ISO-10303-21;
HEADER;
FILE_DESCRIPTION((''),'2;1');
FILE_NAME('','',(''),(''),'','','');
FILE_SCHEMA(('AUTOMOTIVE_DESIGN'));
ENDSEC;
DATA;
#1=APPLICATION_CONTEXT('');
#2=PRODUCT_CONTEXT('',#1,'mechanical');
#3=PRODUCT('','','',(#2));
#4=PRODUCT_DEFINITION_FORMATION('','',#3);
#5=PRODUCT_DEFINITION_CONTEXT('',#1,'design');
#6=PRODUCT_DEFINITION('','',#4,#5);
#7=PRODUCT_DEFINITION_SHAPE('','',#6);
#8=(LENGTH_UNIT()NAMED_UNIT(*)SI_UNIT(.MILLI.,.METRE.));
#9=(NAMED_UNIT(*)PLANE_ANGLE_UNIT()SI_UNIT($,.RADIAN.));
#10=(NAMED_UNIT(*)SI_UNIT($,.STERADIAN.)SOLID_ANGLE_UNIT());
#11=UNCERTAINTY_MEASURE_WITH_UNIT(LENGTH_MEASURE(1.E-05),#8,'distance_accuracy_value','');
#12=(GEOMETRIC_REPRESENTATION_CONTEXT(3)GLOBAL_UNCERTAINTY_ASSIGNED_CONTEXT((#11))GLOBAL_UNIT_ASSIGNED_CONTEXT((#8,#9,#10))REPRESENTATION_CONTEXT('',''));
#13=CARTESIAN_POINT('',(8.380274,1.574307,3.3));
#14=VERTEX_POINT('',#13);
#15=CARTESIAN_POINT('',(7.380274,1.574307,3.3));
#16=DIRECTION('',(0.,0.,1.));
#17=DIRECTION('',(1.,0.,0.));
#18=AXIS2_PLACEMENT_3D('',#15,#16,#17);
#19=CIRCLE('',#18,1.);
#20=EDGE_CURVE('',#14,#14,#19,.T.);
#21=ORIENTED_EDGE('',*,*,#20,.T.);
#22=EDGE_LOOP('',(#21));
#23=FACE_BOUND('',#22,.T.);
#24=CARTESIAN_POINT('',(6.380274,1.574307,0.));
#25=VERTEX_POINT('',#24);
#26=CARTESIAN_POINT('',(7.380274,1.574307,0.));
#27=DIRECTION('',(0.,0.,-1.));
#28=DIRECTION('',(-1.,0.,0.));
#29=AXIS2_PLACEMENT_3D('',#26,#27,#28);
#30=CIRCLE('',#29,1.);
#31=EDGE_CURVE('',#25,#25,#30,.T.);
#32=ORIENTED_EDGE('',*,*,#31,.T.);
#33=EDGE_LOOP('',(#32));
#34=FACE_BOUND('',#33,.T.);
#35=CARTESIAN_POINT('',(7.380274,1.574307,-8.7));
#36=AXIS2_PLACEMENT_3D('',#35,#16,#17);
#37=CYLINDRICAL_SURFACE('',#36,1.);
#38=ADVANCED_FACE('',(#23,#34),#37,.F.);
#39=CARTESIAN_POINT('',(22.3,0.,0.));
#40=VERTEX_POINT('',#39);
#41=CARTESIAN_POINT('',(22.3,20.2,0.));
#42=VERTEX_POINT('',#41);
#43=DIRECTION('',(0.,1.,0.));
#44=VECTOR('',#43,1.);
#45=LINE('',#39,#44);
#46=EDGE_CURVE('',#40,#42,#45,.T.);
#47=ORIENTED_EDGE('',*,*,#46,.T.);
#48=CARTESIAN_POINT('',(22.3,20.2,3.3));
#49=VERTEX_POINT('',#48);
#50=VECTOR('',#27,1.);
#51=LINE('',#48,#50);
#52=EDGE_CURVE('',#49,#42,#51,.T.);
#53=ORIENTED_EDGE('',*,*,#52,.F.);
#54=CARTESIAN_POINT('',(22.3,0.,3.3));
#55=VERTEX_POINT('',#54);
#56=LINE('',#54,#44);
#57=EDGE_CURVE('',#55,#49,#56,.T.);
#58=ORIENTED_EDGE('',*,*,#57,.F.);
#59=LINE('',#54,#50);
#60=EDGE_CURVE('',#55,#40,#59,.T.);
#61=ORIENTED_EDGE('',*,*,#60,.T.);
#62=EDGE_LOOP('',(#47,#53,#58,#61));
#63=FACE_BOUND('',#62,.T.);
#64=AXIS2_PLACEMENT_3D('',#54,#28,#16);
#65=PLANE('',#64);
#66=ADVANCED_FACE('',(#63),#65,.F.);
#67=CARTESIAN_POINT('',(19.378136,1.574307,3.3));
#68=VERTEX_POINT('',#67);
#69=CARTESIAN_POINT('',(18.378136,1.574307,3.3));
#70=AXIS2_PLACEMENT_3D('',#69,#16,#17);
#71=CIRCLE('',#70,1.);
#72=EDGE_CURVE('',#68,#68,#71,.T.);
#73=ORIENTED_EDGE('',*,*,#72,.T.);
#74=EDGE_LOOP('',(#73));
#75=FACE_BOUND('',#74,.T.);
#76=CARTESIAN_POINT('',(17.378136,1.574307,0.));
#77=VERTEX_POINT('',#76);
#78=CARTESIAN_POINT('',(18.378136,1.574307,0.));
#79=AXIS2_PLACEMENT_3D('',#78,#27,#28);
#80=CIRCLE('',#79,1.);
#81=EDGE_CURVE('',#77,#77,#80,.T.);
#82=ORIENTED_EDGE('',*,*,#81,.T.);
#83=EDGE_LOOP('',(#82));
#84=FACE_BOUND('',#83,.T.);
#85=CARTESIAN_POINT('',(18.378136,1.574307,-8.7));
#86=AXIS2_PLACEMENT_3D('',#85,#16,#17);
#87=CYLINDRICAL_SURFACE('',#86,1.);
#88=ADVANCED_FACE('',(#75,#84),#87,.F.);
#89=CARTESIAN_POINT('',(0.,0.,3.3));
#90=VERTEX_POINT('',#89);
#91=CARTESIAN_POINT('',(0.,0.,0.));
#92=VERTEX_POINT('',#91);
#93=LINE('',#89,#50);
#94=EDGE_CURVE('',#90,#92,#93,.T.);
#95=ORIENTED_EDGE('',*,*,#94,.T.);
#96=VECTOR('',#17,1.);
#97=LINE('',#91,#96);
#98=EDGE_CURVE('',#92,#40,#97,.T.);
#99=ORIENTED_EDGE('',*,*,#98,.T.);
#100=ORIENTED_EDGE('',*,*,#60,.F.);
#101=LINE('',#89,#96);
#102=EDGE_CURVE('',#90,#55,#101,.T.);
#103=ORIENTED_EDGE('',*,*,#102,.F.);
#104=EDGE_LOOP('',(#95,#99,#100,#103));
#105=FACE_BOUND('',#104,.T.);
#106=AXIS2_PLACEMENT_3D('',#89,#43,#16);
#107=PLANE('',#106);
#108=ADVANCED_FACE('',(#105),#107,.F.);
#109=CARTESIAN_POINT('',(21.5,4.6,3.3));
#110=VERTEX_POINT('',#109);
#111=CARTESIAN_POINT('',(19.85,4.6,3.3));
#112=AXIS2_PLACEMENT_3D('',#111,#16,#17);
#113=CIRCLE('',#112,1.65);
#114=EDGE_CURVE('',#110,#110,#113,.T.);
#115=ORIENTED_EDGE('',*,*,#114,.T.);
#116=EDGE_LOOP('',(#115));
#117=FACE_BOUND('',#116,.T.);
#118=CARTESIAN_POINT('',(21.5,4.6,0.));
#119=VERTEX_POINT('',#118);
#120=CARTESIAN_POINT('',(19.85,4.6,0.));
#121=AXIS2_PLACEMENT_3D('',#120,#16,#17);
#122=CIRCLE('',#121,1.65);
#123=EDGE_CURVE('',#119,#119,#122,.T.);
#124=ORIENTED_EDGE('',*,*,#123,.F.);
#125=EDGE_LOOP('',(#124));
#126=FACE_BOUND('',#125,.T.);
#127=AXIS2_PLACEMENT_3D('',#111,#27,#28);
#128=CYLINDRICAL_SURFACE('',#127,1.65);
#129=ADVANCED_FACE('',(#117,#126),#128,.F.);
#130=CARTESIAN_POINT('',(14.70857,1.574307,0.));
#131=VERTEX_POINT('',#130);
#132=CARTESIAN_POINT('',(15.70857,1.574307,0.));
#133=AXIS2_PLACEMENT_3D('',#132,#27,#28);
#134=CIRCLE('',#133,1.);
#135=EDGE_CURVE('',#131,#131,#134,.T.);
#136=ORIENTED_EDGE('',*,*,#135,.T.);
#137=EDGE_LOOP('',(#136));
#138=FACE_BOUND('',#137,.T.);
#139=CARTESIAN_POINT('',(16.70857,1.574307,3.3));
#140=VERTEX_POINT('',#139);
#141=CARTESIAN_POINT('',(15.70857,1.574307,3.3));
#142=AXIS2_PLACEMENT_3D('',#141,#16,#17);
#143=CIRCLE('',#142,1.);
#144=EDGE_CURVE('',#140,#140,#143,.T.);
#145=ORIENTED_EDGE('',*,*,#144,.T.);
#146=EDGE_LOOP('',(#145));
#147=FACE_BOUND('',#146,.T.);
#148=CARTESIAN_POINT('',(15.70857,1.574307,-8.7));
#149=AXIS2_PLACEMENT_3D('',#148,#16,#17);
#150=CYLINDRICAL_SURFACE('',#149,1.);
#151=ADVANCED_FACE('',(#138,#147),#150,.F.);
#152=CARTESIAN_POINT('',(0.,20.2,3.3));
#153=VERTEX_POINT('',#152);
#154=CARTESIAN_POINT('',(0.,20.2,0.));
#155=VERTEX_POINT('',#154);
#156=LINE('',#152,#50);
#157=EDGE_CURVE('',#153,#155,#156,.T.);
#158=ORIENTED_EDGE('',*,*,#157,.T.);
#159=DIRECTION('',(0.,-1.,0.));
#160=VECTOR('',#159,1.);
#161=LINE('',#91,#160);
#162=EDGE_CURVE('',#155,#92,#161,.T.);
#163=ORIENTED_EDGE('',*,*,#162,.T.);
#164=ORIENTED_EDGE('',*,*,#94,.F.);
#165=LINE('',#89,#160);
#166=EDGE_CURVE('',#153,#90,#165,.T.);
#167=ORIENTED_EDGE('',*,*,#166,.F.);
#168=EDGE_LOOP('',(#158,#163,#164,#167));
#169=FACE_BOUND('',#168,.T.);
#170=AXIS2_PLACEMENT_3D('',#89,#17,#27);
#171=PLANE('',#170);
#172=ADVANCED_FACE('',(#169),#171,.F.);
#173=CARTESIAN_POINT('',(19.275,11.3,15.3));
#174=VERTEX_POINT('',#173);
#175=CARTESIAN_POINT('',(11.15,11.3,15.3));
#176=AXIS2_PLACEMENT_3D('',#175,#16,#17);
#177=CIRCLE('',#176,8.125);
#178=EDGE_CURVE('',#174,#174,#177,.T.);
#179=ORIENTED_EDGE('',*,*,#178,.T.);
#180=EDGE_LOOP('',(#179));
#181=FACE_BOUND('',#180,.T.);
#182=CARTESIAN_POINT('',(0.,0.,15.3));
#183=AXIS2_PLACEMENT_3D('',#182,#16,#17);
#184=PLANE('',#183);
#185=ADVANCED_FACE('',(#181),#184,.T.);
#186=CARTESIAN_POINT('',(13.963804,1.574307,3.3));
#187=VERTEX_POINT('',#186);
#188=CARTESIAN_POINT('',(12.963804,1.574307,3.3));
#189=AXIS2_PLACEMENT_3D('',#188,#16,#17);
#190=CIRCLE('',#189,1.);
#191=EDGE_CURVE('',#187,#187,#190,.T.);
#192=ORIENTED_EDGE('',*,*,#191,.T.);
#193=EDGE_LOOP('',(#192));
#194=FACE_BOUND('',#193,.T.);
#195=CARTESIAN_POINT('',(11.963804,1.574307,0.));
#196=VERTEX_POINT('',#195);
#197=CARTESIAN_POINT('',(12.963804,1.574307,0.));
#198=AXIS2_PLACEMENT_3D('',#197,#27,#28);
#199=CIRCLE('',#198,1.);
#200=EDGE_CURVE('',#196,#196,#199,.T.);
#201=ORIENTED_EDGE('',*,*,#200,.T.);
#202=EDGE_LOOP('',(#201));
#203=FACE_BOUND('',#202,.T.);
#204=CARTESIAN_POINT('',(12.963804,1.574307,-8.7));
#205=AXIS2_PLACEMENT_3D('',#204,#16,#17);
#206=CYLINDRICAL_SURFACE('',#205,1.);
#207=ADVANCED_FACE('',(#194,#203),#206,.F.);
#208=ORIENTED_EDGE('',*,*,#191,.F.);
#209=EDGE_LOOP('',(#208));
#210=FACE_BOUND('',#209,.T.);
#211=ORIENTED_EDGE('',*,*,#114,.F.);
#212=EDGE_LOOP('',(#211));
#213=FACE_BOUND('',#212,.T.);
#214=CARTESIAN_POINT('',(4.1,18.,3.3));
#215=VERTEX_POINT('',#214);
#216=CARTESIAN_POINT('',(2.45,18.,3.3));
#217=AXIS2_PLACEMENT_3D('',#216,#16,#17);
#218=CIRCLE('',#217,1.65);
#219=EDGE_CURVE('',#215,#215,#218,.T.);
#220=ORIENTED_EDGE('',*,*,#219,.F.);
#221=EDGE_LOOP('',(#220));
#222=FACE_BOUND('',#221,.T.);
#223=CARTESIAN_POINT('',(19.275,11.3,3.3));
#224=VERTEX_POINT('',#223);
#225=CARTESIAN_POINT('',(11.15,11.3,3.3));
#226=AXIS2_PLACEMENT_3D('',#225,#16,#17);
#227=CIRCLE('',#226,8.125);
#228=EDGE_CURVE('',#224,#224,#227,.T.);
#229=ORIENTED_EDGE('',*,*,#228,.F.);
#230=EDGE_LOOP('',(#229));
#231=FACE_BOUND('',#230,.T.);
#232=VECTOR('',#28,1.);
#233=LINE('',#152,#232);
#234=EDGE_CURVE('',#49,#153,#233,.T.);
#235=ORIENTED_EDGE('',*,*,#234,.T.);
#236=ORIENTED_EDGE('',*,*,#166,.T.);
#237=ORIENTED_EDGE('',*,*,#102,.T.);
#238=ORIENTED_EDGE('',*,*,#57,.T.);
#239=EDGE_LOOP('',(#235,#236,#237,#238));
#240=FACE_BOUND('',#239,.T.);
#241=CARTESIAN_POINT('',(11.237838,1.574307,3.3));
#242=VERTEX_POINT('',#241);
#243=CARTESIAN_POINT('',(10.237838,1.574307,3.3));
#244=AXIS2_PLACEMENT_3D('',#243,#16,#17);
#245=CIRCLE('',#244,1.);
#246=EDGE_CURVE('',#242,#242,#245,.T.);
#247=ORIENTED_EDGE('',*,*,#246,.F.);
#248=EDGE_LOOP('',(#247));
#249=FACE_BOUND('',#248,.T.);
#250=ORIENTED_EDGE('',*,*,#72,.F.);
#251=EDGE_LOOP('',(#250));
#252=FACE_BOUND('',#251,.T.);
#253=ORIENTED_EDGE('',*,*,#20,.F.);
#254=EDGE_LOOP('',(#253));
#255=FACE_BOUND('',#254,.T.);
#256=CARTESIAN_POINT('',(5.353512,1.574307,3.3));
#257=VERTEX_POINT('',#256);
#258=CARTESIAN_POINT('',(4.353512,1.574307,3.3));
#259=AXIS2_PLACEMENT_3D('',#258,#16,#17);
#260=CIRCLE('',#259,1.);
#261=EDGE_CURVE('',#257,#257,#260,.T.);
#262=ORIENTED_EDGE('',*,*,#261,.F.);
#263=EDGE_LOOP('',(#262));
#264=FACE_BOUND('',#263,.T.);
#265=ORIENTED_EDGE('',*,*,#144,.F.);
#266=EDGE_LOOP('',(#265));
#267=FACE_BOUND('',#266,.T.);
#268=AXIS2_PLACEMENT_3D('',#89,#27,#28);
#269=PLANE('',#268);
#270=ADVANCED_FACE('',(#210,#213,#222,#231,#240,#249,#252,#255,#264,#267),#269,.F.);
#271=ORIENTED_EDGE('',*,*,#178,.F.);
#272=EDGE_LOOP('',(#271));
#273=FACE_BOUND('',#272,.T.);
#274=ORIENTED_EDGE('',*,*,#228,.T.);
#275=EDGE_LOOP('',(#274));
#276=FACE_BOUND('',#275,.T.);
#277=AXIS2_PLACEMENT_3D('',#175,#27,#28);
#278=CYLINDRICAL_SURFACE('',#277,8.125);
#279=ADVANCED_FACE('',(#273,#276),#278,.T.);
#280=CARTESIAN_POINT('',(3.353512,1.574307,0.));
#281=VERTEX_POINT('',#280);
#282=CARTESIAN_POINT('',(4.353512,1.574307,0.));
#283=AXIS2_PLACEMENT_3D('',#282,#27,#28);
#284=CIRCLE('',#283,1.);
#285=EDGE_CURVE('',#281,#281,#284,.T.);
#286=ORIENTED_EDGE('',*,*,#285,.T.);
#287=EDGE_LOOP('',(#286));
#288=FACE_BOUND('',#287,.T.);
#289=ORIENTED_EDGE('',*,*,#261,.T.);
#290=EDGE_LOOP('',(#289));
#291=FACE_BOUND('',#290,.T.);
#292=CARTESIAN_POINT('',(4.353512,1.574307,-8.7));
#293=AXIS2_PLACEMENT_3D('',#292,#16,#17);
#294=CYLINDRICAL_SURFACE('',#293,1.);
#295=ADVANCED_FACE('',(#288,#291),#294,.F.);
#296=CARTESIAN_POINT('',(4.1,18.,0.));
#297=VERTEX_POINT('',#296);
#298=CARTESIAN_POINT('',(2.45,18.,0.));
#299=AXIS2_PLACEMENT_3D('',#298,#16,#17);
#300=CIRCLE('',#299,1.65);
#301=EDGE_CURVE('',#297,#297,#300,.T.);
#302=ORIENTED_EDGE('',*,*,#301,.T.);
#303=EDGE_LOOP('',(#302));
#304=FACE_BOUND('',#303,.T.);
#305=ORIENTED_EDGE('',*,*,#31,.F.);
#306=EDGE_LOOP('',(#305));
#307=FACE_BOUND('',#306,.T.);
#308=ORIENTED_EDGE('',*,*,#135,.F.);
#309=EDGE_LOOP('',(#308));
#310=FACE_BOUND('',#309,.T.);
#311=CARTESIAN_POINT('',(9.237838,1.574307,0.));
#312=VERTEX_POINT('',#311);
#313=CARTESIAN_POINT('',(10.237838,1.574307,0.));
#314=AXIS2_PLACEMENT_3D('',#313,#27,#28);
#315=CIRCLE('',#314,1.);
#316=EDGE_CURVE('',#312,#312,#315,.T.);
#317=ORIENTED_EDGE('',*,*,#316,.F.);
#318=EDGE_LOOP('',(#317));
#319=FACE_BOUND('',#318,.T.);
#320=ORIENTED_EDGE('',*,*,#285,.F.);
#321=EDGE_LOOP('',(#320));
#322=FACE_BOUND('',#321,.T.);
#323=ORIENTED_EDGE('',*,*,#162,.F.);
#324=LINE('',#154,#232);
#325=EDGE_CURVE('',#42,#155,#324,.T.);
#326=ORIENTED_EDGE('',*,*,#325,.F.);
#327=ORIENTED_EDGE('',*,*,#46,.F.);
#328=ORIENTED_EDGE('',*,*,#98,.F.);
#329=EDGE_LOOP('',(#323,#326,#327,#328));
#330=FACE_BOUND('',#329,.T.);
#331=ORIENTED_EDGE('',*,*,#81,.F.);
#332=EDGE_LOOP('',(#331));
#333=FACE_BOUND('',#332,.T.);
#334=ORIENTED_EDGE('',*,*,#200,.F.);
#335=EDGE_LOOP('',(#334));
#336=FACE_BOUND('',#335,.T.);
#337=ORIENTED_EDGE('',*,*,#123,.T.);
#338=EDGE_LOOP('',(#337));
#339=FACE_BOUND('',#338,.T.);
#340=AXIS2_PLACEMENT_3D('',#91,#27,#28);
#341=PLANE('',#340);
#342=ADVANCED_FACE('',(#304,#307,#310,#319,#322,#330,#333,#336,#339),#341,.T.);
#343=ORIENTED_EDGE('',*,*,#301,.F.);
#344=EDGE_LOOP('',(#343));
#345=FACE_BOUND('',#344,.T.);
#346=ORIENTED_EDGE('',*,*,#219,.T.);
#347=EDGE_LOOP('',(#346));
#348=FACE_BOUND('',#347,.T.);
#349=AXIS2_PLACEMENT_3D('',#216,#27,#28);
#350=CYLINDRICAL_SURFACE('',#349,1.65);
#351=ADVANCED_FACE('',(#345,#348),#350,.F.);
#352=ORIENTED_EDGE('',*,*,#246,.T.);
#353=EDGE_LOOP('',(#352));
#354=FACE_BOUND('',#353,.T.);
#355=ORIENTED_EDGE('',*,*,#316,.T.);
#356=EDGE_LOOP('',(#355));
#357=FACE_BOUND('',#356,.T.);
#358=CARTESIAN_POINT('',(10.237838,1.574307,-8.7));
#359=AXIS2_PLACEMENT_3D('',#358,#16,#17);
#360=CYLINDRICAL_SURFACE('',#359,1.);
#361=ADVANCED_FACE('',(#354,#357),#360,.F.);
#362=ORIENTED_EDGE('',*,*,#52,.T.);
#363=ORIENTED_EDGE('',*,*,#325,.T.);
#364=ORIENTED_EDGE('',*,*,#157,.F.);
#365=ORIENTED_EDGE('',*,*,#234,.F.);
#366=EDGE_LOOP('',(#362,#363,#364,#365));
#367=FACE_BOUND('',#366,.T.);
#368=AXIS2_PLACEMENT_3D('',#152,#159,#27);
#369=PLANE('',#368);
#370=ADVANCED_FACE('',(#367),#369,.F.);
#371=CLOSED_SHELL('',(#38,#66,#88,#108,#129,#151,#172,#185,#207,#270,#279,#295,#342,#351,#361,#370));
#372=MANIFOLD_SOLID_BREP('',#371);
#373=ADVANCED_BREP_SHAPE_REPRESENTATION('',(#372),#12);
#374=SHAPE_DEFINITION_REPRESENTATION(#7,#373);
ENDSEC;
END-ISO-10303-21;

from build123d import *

# Parameters (mm, degrees)
SKETCH1_W           = 22.3
SKETCH1_H           = 20.2
SKETCH1_R           = 1.65
BOSS_EXTRUDE1_DEPTH = 3.3
SKETCH2_R           = 8.125
BOSS_EXTRUDE2_DEPTH = 12
SKETCH2_3_R         = 1
CUT_EXTRUDE1_DEPTH  = 12


with BuildPart() as part:
    # Sketch1 → Boss-Extrude1 (new body)
    with BuildSketch(Plane.XY):
        with Locations((11.15, 10.1)):
            Rectangle(SKETCH1_W, SKETCH1_H)
        with Locations((2.45, 18)):
            Circle(SKETCH1_R, mode=Mode.SUBTRACT)
        with Locations((19.85, 4.6)):
            Circle(SKETCH1_R, mode=Mode.SUBTRACT)
    extrude(amount=BOSS_EXTRUDE1_DEPTH)

    # Sketch2 → Boss-Extrude2 (add)
    with BuildSketch(Plane.XY.offset(3.3)):
        with Locations((11.15, 11.3)):
            Circle(SKETCH2_R)
    extrude(amount=BOSS_EXTRUDE2_DEPTH)

    # Sketch2<3> → Cut-Extrude1 (cut)
    with BuildSketch(Plane.XY.offset(3.3)):
        with Locations((4.353511594, 1.574306631)):
            Circle(SKETCH2_3_R)
        with Locations((7.380273739, 1.574306631)):
            Circle(SKETCH2_3_R)
        with Locations((10.237837999, 1.574306631)):
            Circle(SKETCH2_3_R)
        with Locations((12.963803906, 1.574306631)):
            Circle(SKETCH2_3_R)
        with Locations((15.708569577, 1.574306631)):
            Circle(SKETCH2_3_R)
        with Locations((18.378136189, 1.574306631)):
            Circle(SKETCH2_3_R)
    extrude(amount=-CUT_EXTRUDE1_DEPTH, mode=Mode.SUBTRACT)


solid = part.part
